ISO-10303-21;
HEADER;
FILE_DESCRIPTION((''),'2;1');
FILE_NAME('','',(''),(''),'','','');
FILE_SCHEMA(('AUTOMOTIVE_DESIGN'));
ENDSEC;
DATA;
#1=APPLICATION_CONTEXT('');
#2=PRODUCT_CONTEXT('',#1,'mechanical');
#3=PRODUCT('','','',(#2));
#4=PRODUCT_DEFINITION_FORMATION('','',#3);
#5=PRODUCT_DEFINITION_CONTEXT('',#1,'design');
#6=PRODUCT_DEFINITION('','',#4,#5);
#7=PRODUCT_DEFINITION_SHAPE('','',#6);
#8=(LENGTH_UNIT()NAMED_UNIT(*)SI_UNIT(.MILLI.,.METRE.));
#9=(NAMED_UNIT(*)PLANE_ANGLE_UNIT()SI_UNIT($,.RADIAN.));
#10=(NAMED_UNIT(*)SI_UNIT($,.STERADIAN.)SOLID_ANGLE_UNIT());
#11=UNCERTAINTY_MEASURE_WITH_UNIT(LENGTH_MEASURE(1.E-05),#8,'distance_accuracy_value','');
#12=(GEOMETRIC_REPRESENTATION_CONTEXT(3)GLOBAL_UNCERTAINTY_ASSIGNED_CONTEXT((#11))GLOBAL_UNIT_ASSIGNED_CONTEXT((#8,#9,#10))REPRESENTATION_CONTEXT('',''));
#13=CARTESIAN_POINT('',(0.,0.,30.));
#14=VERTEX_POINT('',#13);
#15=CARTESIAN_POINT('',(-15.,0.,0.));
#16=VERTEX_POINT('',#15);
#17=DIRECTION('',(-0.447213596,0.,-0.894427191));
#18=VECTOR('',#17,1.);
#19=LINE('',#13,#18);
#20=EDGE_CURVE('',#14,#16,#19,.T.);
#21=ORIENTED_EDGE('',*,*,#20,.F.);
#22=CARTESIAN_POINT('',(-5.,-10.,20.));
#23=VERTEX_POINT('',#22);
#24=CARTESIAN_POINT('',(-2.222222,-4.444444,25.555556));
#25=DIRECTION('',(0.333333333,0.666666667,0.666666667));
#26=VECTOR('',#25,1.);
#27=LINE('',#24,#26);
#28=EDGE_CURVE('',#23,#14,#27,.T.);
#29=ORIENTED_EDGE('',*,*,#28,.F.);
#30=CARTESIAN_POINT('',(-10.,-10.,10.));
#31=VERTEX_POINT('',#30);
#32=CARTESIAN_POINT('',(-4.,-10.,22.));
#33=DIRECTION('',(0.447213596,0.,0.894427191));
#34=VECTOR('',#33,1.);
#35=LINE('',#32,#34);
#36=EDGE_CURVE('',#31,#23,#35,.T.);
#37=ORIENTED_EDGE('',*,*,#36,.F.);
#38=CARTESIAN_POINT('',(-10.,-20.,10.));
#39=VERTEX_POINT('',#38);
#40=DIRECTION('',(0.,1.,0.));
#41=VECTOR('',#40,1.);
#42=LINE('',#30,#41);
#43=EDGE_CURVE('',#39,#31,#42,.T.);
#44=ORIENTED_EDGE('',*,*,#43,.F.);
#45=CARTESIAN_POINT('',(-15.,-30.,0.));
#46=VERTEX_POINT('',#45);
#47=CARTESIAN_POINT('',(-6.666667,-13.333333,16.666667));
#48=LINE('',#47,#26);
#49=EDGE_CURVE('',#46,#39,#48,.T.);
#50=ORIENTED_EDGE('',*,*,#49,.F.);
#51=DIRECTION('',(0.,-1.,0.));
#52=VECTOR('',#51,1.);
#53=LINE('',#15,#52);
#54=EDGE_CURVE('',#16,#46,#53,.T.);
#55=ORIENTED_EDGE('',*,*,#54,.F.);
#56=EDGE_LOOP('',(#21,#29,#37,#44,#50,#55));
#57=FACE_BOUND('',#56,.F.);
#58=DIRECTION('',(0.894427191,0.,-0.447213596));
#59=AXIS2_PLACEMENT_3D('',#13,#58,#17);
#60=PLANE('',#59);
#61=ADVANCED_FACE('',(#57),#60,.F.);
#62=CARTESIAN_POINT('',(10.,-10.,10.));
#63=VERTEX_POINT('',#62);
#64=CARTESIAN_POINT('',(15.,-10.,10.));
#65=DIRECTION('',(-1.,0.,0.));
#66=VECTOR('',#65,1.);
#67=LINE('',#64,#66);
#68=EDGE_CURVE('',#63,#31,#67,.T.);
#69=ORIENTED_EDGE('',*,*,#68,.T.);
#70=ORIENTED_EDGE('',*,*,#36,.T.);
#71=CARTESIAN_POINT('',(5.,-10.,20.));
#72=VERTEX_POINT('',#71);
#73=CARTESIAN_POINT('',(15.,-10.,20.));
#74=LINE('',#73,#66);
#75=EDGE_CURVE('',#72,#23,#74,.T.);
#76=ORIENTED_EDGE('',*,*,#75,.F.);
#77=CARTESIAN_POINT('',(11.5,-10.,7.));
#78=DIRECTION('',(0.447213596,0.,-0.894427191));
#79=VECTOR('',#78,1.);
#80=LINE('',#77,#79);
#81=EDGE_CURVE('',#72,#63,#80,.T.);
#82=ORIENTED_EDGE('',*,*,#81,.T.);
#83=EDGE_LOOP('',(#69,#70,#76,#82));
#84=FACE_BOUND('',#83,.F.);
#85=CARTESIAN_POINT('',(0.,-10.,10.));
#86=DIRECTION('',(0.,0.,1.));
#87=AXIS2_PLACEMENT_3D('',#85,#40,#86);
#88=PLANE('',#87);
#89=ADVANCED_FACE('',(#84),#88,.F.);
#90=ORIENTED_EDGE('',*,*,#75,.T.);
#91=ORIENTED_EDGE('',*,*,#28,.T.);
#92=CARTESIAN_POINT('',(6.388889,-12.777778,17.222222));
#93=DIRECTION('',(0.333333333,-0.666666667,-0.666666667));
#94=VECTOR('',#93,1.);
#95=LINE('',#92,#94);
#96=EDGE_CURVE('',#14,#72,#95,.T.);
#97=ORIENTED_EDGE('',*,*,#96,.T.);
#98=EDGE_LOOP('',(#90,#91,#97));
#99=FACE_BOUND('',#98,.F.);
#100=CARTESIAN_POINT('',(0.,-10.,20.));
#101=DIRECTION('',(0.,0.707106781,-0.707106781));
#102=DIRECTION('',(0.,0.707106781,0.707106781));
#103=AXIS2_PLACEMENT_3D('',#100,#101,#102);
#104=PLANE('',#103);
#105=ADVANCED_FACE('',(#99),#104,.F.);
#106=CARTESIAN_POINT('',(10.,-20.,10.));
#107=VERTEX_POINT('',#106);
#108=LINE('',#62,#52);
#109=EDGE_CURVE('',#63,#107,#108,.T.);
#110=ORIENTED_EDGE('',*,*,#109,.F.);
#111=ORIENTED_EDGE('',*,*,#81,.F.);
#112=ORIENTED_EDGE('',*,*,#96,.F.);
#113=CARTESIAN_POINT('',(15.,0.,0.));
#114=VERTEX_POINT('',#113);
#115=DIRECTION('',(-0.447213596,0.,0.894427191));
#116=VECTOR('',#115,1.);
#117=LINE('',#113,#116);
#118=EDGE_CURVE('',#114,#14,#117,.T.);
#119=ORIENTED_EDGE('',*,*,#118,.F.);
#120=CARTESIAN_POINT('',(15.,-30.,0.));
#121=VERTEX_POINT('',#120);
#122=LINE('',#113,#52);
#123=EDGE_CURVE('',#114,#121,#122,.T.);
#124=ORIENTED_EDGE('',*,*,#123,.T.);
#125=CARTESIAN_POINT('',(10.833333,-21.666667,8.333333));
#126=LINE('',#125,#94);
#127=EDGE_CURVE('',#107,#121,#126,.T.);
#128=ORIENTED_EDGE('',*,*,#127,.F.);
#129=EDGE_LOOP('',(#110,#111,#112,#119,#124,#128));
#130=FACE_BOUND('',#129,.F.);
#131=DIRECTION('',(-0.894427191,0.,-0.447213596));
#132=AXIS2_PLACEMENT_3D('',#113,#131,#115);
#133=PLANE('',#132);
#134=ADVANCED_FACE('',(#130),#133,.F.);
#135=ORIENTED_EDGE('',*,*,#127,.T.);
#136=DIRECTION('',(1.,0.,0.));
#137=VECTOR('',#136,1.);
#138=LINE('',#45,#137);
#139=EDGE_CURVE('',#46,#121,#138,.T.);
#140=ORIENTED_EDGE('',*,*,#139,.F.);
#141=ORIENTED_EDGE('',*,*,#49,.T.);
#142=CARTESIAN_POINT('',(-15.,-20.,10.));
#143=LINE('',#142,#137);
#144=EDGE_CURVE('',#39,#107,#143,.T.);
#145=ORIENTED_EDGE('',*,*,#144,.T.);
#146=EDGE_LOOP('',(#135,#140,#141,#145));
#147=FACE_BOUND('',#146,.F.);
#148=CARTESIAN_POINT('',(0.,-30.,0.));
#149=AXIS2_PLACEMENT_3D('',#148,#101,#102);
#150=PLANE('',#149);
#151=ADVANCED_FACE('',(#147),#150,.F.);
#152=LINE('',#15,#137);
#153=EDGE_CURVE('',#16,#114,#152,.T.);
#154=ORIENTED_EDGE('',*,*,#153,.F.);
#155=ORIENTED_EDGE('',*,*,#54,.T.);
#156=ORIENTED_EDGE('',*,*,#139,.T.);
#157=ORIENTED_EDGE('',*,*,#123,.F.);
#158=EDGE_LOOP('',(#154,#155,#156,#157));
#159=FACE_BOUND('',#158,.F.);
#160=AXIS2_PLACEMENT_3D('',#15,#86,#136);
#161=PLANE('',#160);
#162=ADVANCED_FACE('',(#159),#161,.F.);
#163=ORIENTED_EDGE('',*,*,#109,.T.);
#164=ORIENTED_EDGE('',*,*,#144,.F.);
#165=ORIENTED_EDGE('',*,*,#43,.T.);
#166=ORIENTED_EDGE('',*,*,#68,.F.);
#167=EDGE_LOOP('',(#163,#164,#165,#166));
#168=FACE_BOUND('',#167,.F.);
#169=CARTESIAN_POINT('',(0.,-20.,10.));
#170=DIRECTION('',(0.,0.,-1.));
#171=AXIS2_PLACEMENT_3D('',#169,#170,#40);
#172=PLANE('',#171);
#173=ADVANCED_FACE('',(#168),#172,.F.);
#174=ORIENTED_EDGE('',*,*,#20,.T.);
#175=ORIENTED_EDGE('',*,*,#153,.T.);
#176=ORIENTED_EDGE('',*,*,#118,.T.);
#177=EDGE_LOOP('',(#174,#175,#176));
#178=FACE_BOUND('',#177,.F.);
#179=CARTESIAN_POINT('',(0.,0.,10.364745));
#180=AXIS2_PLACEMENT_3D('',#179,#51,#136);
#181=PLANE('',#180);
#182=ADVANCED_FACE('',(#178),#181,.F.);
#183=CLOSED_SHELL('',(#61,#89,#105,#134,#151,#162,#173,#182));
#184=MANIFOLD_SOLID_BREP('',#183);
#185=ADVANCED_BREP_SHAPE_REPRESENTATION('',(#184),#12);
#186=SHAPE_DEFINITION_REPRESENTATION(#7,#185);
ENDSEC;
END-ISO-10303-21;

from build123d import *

# Parameters (mm, degrees)
F1_DEPTH = 30
F3_DEPTH = 15


with BuildPart() as f1:
    # F0 (on Front) → F1 (new body)
    with BuildSketch(Plane.XZ):
        Polygon((0, 30), (-15, 0), (15, 0), align=None)
    extrude(amount=F1_DEPTH)

    # F2 (on Right) → F3 (cut, symmetric)
    with BuildSketch(Plane.YZ):
        Polygon((0, 30), (-30, 30), (-30, 0), (-20, 10), (-20, 20), (-10, 20), align=None)
        Polygon((-20, 10), (-10, 20), (-20, 20), align=None)
        Polygon((-10, 10), (-10, 20), (-20, 10), align=None)
    extrude(amount=F3_DEPTH, both=True, mode=Mode.SUBTRACT)


solid = f1.part
